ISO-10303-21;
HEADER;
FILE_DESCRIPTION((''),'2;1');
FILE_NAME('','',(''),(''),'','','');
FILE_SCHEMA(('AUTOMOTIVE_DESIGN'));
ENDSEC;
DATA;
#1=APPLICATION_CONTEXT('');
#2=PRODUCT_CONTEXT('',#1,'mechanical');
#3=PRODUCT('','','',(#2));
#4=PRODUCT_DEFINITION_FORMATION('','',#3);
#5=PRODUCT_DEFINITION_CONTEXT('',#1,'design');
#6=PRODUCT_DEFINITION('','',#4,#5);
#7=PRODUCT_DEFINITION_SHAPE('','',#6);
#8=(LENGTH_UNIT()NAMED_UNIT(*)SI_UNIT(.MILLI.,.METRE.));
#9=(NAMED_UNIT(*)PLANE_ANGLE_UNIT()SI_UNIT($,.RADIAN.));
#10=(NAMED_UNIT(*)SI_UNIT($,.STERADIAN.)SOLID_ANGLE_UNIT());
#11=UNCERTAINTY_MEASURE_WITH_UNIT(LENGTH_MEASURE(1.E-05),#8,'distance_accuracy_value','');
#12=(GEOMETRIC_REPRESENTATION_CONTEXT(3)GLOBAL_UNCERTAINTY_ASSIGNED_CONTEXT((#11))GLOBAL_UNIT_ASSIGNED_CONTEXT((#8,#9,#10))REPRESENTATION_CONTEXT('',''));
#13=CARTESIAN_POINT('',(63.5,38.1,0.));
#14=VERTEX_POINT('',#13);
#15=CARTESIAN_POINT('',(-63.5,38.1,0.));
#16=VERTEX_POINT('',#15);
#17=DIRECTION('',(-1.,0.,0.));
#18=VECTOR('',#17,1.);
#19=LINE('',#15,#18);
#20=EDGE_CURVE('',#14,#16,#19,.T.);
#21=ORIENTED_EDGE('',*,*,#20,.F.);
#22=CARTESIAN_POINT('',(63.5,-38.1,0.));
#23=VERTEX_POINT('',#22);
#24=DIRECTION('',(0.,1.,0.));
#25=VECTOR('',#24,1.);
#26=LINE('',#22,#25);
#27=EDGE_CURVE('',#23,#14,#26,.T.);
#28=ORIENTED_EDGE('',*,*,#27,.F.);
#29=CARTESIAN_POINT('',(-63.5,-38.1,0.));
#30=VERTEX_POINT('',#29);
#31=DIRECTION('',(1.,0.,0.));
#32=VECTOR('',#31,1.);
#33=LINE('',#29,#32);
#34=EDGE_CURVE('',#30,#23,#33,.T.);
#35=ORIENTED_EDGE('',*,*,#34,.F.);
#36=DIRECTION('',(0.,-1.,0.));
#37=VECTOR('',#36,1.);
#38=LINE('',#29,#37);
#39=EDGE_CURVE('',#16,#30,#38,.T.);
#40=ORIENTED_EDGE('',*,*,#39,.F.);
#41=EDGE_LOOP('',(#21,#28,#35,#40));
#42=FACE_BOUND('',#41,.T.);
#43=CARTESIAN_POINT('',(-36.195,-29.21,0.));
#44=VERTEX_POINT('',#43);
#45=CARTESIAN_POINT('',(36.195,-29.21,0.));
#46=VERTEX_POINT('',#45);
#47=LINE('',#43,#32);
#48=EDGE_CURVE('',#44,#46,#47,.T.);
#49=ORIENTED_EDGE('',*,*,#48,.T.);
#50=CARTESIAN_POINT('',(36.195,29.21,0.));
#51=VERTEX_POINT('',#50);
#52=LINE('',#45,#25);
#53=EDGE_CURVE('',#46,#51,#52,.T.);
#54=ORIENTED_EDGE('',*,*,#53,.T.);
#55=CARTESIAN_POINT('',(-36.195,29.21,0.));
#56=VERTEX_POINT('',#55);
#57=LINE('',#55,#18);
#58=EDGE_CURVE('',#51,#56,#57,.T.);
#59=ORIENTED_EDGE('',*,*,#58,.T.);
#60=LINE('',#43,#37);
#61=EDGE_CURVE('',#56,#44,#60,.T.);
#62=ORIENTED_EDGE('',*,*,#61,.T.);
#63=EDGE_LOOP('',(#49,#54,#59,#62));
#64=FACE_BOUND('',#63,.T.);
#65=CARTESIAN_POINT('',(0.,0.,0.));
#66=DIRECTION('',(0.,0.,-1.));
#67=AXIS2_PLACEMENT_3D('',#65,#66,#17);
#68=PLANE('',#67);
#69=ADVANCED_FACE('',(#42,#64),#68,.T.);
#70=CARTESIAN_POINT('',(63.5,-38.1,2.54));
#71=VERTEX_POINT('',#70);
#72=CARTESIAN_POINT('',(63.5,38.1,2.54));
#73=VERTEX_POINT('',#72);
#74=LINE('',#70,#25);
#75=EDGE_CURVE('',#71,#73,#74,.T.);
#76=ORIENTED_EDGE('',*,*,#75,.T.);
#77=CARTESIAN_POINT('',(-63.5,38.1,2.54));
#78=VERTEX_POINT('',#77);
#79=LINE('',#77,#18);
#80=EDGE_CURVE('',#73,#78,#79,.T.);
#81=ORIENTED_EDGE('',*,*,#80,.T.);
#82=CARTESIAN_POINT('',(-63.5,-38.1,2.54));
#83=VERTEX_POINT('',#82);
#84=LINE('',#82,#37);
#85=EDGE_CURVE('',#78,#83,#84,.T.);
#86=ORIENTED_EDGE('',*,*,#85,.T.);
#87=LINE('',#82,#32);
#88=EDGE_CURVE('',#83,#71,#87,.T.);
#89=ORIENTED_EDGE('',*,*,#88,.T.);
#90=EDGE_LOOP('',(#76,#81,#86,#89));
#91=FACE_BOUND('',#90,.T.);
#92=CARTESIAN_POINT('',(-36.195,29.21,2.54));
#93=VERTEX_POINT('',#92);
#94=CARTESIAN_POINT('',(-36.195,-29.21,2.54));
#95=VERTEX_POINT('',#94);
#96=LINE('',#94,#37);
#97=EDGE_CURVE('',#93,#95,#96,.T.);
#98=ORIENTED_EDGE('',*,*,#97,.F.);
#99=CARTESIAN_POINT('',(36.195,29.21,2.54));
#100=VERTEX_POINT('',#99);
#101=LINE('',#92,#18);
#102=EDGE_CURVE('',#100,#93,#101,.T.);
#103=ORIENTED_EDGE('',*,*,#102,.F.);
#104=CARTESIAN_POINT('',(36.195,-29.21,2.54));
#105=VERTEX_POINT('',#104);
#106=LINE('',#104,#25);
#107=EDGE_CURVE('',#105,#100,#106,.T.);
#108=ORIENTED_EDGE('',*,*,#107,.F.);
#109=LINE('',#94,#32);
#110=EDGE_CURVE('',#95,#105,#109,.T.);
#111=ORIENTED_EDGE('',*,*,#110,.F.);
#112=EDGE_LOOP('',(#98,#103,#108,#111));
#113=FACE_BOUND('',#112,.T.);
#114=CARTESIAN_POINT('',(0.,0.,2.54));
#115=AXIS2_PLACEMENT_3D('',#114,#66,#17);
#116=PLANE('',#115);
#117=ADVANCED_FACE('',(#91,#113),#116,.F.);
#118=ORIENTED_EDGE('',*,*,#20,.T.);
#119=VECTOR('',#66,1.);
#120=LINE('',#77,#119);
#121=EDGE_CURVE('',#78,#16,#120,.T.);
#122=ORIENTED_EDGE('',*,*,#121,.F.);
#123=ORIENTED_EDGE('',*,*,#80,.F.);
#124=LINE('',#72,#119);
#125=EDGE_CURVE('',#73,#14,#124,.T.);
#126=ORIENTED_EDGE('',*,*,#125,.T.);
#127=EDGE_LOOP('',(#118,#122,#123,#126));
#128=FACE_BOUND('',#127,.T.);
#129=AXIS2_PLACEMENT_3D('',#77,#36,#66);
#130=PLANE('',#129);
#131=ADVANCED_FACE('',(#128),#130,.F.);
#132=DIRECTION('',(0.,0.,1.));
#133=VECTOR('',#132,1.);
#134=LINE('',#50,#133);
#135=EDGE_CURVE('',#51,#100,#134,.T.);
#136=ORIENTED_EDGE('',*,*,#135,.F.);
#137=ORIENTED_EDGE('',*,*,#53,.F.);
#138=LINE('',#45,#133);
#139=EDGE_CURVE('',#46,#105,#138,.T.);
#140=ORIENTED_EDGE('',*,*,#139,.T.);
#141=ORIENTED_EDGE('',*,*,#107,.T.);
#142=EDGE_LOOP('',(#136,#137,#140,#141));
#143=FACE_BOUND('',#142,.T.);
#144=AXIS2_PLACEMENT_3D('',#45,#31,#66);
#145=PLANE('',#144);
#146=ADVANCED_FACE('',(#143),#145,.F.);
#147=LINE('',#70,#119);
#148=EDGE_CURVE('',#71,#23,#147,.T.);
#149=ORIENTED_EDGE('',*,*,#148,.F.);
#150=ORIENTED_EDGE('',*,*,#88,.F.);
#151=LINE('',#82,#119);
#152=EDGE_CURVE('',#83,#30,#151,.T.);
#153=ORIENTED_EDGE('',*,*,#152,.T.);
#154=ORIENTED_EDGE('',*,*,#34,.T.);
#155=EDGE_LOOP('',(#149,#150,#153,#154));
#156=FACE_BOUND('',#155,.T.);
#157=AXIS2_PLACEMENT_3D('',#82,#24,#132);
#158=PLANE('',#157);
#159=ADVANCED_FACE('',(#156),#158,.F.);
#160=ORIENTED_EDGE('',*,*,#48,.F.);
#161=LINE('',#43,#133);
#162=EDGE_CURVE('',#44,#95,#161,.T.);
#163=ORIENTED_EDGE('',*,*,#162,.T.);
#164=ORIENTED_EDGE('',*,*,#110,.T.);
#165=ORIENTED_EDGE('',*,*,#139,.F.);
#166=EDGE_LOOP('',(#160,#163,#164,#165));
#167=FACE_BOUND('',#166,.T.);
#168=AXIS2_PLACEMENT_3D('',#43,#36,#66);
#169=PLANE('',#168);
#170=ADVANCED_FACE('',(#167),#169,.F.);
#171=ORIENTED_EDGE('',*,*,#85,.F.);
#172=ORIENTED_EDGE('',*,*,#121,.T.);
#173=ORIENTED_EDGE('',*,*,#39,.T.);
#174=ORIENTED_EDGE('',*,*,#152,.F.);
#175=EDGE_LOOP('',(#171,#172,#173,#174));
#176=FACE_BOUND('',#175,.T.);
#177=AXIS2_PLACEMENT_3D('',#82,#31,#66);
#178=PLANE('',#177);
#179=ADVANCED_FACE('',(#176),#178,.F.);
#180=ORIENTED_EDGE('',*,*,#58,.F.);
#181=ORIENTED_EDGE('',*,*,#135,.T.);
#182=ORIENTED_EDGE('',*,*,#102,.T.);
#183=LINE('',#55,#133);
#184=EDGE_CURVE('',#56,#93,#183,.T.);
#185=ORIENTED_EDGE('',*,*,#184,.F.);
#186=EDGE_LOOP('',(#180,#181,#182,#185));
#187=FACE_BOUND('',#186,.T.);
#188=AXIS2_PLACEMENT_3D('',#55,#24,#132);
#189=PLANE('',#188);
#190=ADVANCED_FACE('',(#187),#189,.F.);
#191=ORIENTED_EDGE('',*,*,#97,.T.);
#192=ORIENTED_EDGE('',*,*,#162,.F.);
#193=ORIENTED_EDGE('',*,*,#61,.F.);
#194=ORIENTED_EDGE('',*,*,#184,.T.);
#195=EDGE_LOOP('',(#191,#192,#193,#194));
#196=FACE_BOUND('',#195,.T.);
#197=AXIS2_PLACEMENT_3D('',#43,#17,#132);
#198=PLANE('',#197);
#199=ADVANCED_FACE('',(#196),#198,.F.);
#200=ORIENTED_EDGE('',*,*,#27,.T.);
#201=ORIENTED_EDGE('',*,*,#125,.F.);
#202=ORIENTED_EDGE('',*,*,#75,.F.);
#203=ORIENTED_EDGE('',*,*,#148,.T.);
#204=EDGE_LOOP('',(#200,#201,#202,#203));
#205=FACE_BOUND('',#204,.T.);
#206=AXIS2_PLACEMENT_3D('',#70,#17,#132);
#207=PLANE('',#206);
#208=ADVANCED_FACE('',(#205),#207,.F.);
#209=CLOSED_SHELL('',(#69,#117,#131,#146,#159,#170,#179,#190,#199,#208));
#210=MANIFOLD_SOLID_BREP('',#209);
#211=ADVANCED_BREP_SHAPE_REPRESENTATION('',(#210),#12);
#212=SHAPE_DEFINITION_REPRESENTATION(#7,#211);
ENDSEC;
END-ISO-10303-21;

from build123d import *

# Parameters (mm, degrees)
SKETCH1_W                   = 127
SKETCH1_H                   = 76.2
MAIN_BODY_DEPTH             = 2.54
SKETCH2_W                   = 72.39
SKETCH2_H                   = 58.42
HOLE_FOR_CIRCUITBOARD_DEPTH = 2.54


with BuildPart() as part:
    # Sketch1 → main body (new body)
    with BuildSketch(Plane.XY):
        Rectangle(SKETCH1_W, SKETCH1_H)
    extrude(amount=MAIN_BODY_DEPTH)

    # Sketch2 → hole for circuitboard (cut)
    with BuildSketch(Plane.XY.offset(2.54)):
        Rectangle(SKETCH2_W, SKETCH2_H)
    extrude(amount=-HOLE_FOR_CIRCUITBOARD_DEPTH, mode=Mode.SUBTRACT)


solid = part.part
